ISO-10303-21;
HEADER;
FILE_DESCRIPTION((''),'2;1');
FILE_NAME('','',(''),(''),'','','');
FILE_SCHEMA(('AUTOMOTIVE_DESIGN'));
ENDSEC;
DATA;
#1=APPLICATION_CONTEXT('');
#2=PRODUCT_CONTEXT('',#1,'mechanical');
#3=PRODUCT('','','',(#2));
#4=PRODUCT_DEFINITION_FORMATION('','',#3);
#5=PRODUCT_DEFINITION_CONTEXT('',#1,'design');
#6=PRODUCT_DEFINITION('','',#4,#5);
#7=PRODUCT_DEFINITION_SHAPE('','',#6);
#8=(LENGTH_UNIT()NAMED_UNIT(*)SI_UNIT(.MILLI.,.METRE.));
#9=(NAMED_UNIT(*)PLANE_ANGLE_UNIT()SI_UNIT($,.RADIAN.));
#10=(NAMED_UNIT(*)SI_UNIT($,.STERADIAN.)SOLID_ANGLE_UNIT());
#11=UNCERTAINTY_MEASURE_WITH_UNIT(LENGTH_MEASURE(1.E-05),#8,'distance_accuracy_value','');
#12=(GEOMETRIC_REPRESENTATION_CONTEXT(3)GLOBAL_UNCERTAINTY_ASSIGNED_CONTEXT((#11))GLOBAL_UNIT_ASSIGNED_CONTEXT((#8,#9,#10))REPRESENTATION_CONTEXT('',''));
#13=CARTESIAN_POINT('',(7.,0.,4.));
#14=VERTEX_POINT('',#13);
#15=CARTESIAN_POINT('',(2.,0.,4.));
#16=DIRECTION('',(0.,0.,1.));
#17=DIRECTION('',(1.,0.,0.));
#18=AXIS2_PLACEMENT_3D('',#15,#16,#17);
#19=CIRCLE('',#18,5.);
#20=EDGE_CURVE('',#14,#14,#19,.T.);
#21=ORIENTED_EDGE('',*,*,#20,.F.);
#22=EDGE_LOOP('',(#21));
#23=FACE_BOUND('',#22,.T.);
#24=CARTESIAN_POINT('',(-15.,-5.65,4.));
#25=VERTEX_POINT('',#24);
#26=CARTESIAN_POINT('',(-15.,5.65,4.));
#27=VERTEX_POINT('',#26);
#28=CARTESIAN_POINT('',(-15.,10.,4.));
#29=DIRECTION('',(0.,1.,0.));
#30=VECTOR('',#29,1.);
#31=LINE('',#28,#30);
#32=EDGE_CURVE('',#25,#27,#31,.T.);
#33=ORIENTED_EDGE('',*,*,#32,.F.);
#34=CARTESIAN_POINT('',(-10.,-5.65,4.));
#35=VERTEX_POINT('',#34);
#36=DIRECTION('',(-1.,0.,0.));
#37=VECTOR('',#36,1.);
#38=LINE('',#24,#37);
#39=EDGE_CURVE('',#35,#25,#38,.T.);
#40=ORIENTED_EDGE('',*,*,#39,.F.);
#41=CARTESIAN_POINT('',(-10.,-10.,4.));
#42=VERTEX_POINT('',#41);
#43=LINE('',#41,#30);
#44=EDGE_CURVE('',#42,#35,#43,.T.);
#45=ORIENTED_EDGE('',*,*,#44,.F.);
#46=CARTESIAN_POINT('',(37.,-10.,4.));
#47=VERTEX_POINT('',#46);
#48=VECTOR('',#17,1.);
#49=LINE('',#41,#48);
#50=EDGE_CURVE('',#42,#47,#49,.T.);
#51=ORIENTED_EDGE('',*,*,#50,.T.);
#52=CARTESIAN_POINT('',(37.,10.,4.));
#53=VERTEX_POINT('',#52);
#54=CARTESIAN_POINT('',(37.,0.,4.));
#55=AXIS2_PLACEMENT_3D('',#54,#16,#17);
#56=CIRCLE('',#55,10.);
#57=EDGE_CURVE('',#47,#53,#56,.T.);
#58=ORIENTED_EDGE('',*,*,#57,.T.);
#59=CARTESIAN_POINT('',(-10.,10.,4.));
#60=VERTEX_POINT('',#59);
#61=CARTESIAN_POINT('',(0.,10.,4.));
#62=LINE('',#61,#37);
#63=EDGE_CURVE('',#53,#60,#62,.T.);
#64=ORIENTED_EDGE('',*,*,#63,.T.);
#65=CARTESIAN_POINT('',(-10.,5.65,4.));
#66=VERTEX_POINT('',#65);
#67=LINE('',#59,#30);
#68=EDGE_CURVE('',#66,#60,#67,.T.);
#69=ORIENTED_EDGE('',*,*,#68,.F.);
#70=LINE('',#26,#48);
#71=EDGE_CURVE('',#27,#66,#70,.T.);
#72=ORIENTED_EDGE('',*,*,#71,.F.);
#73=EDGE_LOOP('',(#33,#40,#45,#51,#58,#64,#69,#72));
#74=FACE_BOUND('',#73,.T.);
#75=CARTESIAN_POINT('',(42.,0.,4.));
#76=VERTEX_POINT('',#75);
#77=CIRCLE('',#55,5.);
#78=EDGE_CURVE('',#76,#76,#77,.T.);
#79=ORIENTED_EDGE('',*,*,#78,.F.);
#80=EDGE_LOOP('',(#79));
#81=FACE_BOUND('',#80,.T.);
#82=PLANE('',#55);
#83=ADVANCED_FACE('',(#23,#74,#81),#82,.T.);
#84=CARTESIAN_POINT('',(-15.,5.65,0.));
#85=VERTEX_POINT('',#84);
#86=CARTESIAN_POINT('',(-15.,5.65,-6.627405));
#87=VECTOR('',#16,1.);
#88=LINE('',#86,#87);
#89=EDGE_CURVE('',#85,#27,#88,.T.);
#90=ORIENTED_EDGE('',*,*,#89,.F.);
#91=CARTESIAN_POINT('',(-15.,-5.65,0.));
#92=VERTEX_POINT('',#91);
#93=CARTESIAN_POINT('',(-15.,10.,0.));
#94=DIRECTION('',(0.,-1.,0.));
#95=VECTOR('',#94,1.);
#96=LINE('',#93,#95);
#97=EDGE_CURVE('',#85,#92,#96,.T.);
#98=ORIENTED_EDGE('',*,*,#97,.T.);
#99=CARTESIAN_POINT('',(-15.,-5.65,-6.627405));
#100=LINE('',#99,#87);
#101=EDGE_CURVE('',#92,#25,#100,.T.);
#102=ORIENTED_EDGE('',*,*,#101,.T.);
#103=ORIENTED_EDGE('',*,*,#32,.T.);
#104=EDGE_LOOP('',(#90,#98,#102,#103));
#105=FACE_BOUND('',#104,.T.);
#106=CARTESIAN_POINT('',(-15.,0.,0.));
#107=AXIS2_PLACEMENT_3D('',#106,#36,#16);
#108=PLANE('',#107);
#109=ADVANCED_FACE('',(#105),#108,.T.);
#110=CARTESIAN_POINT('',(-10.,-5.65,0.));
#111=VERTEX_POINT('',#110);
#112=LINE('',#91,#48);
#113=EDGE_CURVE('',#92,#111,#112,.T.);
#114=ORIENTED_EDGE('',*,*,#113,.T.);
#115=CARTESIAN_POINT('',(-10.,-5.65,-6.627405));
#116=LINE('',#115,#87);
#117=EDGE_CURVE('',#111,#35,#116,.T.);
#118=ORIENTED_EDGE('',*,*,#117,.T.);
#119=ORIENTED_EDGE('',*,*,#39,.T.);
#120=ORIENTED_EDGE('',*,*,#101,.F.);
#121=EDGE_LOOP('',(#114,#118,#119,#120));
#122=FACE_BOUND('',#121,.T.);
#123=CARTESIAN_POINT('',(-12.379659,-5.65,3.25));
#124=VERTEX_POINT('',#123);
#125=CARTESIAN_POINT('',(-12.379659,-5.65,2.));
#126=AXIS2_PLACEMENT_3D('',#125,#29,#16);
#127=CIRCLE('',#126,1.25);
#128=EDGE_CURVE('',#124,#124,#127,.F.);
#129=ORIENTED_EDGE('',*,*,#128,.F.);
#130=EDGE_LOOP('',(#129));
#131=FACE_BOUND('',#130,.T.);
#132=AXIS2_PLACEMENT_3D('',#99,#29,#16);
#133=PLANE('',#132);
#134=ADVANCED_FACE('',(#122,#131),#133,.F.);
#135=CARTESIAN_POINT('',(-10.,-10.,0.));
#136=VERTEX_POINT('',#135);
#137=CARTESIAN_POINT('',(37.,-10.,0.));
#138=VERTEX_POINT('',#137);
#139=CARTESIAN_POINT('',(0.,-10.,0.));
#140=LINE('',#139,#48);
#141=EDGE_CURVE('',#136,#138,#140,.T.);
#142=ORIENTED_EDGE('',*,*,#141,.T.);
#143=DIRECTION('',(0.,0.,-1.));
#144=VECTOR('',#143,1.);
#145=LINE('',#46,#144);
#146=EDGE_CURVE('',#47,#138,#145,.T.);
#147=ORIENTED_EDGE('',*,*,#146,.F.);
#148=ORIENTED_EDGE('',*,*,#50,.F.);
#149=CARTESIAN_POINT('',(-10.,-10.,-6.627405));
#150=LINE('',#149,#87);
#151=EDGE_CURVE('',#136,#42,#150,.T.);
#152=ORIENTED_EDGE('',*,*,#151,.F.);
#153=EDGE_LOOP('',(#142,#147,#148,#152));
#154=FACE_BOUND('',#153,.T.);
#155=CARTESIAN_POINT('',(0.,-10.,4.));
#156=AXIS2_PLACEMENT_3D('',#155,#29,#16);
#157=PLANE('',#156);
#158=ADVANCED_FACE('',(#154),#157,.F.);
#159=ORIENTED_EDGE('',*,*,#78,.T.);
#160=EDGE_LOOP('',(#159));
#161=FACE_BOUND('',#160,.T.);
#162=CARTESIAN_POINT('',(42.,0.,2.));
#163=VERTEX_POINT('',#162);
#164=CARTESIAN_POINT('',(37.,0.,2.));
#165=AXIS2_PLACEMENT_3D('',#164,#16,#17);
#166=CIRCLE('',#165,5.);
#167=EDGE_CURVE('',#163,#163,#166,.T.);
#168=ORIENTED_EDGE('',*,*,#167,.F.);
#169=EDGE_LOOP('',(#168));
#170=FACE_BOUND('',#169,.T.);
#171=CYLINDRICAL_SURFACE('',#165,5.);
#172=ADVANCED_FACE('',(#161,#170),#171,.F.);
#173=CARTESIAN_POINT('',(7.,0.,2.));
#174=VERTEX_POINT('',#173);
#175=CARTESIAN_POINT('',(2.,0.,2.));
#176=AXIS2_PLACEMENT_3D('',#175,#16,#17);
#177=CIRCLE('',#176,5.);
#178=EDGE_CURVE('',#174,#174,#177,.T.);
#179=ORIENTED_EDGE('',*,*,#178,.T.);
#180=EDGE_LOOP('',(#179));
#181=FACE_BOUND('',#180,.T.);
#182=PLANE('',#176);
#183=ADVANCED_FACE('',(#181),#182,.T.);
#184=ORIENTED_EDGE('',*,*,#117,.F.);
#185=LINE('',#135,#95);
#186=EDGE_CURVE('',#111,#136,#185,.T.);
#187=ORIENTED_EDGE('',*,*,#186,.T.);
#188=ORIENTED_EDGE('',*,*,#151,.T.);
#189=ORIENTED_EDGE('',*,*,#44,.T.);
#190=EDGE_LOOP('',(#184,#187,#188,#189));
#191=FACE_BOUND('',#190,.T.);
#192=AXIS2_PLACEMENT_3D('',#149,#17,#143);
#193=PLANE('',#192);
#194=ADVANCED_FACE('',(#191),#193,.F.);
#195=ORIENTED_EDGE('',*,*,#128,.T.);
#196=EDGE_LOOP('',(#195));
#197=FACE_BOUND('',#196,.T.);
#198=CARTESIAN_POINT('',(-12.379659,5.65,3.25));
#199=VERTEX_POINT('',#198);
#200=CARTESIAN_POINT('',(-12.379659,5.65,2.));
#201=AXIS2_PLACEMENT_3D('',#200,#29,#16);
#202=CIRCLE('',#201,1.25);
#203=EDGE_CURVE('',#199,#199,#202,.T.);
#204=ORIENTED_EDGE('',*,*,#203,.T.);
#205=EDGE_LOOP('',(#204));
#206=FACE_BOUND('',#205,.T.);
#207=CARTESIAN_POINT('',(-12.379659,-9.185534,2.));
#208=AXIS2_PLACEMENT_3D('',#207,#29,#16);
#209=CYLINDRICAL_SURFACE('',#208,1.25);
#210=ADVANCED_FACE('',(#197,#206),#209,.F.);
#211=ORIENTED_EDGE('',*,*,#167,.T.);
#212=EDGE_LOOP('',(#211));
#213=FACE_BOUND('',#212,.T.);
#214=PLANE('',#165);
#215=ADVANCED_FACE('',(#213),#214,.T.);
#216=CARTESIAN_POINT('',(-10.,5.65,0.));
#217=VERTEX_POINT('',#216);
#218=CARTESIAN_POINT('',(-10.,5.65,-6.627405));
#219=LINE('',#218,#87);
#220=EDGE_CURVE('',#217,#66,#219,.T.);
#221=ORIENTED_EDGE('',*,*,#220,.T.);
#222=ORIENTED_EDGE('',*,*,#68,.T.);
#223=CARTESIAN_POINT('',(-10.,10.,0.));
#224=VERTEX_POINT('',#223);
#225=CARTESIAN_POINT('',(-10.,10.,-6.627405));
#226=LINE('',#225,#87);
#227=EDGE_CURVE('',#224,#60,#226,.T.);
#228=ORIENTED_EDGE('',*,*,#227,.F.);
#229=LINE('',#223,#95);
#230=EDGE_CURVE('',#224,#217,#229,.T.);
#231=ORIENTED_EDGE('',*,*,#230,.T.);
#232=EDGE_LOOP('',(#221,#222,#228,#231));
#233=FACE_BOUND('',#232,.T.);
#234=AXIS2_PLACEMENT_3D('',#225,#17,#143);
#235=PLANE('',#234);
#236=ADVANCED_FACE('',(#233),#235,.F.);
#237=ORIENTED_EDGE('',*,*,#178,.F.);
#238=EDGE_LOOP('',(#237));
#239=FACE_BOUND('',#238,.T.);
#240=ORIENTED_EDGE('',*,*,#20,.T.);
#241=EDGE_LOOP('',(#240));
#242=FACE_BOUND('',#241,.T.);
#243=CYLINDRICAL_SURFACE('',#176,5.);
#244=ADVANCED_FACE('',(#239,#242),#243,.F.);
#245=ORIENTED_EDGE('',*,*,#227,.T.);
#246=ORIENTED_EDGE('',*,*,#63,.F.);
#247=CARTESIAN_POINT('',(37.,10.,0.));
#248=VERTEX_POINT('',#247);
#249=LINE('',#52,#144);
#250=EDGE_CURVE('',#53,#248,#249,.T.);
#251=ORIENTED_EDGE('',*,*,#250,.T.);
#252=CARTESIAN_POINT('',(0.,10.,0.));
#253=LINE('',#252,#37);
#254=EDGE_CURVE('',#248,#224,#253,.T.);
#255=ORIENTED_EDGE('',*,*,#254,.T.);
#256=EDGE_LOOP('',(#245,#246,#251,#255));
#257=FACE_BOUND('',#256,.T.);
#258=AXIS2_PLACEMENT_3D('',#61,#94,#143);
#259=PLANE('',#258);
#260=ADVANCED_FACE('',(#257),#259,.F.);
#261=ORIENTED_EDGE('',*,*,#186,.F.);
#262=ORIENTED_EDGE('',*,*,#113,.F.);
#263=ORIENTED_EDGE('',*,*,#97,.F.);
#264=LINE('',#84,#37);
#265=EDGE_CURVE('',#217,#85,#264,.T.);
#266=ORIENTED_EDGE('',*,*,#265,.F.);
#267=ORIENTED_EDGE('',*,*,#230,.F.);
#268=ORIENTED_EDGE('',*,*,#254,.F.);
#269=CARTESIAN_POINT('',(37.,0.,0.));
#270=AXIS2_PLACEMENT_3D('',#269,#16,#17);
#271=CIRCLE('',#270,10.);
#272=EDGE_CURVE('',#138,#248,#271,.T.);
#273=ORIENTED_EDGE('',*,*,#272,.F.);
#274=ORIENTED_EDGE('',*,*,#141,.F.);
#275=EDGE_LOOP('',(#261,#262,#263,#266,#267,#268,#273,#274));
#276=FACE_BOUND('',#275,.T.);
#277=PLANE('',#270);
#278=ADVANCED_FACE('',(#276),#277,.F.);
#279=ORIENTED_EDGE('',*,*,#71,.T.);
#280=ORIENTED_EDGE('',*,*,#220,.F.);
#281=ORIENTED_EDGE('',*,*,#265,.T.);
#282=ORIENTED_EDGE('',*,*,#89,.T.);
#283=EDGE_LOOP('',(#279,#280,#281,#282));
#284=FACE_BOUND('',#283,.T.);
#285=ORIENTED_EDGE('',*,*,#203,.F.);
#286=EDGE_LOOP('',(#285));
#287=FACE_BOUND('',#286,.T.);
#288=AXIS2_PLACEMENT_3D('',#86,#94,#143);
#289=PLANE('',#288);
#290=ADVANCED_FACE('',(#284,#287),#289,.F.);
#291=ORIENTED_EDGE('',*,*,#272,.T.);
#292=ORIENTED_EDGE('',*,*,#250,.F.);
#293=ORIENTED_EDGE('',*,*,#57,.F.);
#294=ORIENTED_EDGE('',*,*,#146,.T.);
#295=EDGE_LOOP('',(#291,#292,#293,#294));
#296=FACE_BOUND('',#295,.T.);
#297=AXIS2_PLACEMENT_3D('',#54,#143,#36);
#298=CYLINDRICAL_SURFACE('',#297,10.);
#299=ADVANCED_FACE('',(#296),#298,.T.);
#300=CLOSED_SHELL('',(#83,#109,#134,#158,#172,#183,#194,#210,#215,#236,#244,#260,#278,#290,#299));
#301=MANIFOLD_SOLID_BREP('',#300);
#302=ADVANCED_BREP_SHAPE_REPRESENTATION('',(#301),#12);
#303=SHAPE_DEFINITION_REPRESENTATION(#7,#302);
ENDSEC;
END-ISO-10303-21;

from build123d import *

# Parameters (mm, degrees)
EXTRUDE_1_DEPTH     = 4
SKETCH_2_W          = 4
SKETCH_2_H          = 20
EXTRUDE_2_DEPTH     = 5
SKETCH_3_W          = 5
SKETCH_3_H          = 4.35
CUT_EXTRUDE_1_DEPTH = 4
SKETCH_4_R          = 1.25
CUT_EXTRUDE_2_DEPTH = 11.3
SKETCH_6_R          = 5
CUT_EXTRUDE_4_DEPTH = 2


with BuildPart() as part:
    # 草图1 → 凸台-拉伸1 (new body)
    with BuildSketch(Plane.XY):
        with BuildLine():
            Line((0, 10), (37, 10))
            ThreePointArc((37, 10), (47, 0), (37, -10))
            Line((37, -10), (0, -10))
            Line((0, -10), (-10, -10))
            Line((-10, -10), (-10, 10))
            Line((-10, 10), (0, 10))
        make_face()
    extrude(amount=EXTRUDE_1_DEPTH)

    # 草图2 → 凸台-拉伸2 (add)
    with BuildSketch(Plane.ZY.offset(10)):
        with Locations((2, 0)):
            Rectangle(SKETCH_2_W, SKETCH_2_H)
    extrude(amount=EXTRUDE_2_DEPTH)

    # 草图3 → 切除-拉伸1 (cut)
    with BuildSketch(Plane.XY.offset(4)):
        with Locations((-12.5, 7.825)):
            Rectangle(SKETCH_3_W, SKETCH_3_H)
        with Locations((-12.5, -7.825)):
            Rectangle(SKETCH_3_W, SKETCH_3_H)
    extrude(amount=-CUT_EXTRUDE_1_DEPTH, mode=Mode.SUBTRACT)

    # 草图4 → 切除-拉伸2 (cut)
    with BuildSketch(Plane(origin=(0, 5.65, 0), x_dir=(1, 0, 0), z_dir=(0, 1, 0))):
        with Locations(Location((-12.379659001, -2, 0), (0, 0, 270))):
            Circle(SKETCH_4_R)
    extrude(amount=-CUT_EXTRUDE_2_DEPTH, mode=Mode.SUBTRACT)

    # 草图6 → 切除-拉伸4 (cut)
    with BuildSketch(Plane.XY.offset(4)):
        with Locations((37, 0)):
            Circle(SKETCH_6_R)
        with Locations((2, 0)):
            Circle(SKETCH_6_R)
    extrude(amount=-CUT_EXTRUDE_4_DEPTH, mode=Mode.SUBTRACT)


solid = part.part
